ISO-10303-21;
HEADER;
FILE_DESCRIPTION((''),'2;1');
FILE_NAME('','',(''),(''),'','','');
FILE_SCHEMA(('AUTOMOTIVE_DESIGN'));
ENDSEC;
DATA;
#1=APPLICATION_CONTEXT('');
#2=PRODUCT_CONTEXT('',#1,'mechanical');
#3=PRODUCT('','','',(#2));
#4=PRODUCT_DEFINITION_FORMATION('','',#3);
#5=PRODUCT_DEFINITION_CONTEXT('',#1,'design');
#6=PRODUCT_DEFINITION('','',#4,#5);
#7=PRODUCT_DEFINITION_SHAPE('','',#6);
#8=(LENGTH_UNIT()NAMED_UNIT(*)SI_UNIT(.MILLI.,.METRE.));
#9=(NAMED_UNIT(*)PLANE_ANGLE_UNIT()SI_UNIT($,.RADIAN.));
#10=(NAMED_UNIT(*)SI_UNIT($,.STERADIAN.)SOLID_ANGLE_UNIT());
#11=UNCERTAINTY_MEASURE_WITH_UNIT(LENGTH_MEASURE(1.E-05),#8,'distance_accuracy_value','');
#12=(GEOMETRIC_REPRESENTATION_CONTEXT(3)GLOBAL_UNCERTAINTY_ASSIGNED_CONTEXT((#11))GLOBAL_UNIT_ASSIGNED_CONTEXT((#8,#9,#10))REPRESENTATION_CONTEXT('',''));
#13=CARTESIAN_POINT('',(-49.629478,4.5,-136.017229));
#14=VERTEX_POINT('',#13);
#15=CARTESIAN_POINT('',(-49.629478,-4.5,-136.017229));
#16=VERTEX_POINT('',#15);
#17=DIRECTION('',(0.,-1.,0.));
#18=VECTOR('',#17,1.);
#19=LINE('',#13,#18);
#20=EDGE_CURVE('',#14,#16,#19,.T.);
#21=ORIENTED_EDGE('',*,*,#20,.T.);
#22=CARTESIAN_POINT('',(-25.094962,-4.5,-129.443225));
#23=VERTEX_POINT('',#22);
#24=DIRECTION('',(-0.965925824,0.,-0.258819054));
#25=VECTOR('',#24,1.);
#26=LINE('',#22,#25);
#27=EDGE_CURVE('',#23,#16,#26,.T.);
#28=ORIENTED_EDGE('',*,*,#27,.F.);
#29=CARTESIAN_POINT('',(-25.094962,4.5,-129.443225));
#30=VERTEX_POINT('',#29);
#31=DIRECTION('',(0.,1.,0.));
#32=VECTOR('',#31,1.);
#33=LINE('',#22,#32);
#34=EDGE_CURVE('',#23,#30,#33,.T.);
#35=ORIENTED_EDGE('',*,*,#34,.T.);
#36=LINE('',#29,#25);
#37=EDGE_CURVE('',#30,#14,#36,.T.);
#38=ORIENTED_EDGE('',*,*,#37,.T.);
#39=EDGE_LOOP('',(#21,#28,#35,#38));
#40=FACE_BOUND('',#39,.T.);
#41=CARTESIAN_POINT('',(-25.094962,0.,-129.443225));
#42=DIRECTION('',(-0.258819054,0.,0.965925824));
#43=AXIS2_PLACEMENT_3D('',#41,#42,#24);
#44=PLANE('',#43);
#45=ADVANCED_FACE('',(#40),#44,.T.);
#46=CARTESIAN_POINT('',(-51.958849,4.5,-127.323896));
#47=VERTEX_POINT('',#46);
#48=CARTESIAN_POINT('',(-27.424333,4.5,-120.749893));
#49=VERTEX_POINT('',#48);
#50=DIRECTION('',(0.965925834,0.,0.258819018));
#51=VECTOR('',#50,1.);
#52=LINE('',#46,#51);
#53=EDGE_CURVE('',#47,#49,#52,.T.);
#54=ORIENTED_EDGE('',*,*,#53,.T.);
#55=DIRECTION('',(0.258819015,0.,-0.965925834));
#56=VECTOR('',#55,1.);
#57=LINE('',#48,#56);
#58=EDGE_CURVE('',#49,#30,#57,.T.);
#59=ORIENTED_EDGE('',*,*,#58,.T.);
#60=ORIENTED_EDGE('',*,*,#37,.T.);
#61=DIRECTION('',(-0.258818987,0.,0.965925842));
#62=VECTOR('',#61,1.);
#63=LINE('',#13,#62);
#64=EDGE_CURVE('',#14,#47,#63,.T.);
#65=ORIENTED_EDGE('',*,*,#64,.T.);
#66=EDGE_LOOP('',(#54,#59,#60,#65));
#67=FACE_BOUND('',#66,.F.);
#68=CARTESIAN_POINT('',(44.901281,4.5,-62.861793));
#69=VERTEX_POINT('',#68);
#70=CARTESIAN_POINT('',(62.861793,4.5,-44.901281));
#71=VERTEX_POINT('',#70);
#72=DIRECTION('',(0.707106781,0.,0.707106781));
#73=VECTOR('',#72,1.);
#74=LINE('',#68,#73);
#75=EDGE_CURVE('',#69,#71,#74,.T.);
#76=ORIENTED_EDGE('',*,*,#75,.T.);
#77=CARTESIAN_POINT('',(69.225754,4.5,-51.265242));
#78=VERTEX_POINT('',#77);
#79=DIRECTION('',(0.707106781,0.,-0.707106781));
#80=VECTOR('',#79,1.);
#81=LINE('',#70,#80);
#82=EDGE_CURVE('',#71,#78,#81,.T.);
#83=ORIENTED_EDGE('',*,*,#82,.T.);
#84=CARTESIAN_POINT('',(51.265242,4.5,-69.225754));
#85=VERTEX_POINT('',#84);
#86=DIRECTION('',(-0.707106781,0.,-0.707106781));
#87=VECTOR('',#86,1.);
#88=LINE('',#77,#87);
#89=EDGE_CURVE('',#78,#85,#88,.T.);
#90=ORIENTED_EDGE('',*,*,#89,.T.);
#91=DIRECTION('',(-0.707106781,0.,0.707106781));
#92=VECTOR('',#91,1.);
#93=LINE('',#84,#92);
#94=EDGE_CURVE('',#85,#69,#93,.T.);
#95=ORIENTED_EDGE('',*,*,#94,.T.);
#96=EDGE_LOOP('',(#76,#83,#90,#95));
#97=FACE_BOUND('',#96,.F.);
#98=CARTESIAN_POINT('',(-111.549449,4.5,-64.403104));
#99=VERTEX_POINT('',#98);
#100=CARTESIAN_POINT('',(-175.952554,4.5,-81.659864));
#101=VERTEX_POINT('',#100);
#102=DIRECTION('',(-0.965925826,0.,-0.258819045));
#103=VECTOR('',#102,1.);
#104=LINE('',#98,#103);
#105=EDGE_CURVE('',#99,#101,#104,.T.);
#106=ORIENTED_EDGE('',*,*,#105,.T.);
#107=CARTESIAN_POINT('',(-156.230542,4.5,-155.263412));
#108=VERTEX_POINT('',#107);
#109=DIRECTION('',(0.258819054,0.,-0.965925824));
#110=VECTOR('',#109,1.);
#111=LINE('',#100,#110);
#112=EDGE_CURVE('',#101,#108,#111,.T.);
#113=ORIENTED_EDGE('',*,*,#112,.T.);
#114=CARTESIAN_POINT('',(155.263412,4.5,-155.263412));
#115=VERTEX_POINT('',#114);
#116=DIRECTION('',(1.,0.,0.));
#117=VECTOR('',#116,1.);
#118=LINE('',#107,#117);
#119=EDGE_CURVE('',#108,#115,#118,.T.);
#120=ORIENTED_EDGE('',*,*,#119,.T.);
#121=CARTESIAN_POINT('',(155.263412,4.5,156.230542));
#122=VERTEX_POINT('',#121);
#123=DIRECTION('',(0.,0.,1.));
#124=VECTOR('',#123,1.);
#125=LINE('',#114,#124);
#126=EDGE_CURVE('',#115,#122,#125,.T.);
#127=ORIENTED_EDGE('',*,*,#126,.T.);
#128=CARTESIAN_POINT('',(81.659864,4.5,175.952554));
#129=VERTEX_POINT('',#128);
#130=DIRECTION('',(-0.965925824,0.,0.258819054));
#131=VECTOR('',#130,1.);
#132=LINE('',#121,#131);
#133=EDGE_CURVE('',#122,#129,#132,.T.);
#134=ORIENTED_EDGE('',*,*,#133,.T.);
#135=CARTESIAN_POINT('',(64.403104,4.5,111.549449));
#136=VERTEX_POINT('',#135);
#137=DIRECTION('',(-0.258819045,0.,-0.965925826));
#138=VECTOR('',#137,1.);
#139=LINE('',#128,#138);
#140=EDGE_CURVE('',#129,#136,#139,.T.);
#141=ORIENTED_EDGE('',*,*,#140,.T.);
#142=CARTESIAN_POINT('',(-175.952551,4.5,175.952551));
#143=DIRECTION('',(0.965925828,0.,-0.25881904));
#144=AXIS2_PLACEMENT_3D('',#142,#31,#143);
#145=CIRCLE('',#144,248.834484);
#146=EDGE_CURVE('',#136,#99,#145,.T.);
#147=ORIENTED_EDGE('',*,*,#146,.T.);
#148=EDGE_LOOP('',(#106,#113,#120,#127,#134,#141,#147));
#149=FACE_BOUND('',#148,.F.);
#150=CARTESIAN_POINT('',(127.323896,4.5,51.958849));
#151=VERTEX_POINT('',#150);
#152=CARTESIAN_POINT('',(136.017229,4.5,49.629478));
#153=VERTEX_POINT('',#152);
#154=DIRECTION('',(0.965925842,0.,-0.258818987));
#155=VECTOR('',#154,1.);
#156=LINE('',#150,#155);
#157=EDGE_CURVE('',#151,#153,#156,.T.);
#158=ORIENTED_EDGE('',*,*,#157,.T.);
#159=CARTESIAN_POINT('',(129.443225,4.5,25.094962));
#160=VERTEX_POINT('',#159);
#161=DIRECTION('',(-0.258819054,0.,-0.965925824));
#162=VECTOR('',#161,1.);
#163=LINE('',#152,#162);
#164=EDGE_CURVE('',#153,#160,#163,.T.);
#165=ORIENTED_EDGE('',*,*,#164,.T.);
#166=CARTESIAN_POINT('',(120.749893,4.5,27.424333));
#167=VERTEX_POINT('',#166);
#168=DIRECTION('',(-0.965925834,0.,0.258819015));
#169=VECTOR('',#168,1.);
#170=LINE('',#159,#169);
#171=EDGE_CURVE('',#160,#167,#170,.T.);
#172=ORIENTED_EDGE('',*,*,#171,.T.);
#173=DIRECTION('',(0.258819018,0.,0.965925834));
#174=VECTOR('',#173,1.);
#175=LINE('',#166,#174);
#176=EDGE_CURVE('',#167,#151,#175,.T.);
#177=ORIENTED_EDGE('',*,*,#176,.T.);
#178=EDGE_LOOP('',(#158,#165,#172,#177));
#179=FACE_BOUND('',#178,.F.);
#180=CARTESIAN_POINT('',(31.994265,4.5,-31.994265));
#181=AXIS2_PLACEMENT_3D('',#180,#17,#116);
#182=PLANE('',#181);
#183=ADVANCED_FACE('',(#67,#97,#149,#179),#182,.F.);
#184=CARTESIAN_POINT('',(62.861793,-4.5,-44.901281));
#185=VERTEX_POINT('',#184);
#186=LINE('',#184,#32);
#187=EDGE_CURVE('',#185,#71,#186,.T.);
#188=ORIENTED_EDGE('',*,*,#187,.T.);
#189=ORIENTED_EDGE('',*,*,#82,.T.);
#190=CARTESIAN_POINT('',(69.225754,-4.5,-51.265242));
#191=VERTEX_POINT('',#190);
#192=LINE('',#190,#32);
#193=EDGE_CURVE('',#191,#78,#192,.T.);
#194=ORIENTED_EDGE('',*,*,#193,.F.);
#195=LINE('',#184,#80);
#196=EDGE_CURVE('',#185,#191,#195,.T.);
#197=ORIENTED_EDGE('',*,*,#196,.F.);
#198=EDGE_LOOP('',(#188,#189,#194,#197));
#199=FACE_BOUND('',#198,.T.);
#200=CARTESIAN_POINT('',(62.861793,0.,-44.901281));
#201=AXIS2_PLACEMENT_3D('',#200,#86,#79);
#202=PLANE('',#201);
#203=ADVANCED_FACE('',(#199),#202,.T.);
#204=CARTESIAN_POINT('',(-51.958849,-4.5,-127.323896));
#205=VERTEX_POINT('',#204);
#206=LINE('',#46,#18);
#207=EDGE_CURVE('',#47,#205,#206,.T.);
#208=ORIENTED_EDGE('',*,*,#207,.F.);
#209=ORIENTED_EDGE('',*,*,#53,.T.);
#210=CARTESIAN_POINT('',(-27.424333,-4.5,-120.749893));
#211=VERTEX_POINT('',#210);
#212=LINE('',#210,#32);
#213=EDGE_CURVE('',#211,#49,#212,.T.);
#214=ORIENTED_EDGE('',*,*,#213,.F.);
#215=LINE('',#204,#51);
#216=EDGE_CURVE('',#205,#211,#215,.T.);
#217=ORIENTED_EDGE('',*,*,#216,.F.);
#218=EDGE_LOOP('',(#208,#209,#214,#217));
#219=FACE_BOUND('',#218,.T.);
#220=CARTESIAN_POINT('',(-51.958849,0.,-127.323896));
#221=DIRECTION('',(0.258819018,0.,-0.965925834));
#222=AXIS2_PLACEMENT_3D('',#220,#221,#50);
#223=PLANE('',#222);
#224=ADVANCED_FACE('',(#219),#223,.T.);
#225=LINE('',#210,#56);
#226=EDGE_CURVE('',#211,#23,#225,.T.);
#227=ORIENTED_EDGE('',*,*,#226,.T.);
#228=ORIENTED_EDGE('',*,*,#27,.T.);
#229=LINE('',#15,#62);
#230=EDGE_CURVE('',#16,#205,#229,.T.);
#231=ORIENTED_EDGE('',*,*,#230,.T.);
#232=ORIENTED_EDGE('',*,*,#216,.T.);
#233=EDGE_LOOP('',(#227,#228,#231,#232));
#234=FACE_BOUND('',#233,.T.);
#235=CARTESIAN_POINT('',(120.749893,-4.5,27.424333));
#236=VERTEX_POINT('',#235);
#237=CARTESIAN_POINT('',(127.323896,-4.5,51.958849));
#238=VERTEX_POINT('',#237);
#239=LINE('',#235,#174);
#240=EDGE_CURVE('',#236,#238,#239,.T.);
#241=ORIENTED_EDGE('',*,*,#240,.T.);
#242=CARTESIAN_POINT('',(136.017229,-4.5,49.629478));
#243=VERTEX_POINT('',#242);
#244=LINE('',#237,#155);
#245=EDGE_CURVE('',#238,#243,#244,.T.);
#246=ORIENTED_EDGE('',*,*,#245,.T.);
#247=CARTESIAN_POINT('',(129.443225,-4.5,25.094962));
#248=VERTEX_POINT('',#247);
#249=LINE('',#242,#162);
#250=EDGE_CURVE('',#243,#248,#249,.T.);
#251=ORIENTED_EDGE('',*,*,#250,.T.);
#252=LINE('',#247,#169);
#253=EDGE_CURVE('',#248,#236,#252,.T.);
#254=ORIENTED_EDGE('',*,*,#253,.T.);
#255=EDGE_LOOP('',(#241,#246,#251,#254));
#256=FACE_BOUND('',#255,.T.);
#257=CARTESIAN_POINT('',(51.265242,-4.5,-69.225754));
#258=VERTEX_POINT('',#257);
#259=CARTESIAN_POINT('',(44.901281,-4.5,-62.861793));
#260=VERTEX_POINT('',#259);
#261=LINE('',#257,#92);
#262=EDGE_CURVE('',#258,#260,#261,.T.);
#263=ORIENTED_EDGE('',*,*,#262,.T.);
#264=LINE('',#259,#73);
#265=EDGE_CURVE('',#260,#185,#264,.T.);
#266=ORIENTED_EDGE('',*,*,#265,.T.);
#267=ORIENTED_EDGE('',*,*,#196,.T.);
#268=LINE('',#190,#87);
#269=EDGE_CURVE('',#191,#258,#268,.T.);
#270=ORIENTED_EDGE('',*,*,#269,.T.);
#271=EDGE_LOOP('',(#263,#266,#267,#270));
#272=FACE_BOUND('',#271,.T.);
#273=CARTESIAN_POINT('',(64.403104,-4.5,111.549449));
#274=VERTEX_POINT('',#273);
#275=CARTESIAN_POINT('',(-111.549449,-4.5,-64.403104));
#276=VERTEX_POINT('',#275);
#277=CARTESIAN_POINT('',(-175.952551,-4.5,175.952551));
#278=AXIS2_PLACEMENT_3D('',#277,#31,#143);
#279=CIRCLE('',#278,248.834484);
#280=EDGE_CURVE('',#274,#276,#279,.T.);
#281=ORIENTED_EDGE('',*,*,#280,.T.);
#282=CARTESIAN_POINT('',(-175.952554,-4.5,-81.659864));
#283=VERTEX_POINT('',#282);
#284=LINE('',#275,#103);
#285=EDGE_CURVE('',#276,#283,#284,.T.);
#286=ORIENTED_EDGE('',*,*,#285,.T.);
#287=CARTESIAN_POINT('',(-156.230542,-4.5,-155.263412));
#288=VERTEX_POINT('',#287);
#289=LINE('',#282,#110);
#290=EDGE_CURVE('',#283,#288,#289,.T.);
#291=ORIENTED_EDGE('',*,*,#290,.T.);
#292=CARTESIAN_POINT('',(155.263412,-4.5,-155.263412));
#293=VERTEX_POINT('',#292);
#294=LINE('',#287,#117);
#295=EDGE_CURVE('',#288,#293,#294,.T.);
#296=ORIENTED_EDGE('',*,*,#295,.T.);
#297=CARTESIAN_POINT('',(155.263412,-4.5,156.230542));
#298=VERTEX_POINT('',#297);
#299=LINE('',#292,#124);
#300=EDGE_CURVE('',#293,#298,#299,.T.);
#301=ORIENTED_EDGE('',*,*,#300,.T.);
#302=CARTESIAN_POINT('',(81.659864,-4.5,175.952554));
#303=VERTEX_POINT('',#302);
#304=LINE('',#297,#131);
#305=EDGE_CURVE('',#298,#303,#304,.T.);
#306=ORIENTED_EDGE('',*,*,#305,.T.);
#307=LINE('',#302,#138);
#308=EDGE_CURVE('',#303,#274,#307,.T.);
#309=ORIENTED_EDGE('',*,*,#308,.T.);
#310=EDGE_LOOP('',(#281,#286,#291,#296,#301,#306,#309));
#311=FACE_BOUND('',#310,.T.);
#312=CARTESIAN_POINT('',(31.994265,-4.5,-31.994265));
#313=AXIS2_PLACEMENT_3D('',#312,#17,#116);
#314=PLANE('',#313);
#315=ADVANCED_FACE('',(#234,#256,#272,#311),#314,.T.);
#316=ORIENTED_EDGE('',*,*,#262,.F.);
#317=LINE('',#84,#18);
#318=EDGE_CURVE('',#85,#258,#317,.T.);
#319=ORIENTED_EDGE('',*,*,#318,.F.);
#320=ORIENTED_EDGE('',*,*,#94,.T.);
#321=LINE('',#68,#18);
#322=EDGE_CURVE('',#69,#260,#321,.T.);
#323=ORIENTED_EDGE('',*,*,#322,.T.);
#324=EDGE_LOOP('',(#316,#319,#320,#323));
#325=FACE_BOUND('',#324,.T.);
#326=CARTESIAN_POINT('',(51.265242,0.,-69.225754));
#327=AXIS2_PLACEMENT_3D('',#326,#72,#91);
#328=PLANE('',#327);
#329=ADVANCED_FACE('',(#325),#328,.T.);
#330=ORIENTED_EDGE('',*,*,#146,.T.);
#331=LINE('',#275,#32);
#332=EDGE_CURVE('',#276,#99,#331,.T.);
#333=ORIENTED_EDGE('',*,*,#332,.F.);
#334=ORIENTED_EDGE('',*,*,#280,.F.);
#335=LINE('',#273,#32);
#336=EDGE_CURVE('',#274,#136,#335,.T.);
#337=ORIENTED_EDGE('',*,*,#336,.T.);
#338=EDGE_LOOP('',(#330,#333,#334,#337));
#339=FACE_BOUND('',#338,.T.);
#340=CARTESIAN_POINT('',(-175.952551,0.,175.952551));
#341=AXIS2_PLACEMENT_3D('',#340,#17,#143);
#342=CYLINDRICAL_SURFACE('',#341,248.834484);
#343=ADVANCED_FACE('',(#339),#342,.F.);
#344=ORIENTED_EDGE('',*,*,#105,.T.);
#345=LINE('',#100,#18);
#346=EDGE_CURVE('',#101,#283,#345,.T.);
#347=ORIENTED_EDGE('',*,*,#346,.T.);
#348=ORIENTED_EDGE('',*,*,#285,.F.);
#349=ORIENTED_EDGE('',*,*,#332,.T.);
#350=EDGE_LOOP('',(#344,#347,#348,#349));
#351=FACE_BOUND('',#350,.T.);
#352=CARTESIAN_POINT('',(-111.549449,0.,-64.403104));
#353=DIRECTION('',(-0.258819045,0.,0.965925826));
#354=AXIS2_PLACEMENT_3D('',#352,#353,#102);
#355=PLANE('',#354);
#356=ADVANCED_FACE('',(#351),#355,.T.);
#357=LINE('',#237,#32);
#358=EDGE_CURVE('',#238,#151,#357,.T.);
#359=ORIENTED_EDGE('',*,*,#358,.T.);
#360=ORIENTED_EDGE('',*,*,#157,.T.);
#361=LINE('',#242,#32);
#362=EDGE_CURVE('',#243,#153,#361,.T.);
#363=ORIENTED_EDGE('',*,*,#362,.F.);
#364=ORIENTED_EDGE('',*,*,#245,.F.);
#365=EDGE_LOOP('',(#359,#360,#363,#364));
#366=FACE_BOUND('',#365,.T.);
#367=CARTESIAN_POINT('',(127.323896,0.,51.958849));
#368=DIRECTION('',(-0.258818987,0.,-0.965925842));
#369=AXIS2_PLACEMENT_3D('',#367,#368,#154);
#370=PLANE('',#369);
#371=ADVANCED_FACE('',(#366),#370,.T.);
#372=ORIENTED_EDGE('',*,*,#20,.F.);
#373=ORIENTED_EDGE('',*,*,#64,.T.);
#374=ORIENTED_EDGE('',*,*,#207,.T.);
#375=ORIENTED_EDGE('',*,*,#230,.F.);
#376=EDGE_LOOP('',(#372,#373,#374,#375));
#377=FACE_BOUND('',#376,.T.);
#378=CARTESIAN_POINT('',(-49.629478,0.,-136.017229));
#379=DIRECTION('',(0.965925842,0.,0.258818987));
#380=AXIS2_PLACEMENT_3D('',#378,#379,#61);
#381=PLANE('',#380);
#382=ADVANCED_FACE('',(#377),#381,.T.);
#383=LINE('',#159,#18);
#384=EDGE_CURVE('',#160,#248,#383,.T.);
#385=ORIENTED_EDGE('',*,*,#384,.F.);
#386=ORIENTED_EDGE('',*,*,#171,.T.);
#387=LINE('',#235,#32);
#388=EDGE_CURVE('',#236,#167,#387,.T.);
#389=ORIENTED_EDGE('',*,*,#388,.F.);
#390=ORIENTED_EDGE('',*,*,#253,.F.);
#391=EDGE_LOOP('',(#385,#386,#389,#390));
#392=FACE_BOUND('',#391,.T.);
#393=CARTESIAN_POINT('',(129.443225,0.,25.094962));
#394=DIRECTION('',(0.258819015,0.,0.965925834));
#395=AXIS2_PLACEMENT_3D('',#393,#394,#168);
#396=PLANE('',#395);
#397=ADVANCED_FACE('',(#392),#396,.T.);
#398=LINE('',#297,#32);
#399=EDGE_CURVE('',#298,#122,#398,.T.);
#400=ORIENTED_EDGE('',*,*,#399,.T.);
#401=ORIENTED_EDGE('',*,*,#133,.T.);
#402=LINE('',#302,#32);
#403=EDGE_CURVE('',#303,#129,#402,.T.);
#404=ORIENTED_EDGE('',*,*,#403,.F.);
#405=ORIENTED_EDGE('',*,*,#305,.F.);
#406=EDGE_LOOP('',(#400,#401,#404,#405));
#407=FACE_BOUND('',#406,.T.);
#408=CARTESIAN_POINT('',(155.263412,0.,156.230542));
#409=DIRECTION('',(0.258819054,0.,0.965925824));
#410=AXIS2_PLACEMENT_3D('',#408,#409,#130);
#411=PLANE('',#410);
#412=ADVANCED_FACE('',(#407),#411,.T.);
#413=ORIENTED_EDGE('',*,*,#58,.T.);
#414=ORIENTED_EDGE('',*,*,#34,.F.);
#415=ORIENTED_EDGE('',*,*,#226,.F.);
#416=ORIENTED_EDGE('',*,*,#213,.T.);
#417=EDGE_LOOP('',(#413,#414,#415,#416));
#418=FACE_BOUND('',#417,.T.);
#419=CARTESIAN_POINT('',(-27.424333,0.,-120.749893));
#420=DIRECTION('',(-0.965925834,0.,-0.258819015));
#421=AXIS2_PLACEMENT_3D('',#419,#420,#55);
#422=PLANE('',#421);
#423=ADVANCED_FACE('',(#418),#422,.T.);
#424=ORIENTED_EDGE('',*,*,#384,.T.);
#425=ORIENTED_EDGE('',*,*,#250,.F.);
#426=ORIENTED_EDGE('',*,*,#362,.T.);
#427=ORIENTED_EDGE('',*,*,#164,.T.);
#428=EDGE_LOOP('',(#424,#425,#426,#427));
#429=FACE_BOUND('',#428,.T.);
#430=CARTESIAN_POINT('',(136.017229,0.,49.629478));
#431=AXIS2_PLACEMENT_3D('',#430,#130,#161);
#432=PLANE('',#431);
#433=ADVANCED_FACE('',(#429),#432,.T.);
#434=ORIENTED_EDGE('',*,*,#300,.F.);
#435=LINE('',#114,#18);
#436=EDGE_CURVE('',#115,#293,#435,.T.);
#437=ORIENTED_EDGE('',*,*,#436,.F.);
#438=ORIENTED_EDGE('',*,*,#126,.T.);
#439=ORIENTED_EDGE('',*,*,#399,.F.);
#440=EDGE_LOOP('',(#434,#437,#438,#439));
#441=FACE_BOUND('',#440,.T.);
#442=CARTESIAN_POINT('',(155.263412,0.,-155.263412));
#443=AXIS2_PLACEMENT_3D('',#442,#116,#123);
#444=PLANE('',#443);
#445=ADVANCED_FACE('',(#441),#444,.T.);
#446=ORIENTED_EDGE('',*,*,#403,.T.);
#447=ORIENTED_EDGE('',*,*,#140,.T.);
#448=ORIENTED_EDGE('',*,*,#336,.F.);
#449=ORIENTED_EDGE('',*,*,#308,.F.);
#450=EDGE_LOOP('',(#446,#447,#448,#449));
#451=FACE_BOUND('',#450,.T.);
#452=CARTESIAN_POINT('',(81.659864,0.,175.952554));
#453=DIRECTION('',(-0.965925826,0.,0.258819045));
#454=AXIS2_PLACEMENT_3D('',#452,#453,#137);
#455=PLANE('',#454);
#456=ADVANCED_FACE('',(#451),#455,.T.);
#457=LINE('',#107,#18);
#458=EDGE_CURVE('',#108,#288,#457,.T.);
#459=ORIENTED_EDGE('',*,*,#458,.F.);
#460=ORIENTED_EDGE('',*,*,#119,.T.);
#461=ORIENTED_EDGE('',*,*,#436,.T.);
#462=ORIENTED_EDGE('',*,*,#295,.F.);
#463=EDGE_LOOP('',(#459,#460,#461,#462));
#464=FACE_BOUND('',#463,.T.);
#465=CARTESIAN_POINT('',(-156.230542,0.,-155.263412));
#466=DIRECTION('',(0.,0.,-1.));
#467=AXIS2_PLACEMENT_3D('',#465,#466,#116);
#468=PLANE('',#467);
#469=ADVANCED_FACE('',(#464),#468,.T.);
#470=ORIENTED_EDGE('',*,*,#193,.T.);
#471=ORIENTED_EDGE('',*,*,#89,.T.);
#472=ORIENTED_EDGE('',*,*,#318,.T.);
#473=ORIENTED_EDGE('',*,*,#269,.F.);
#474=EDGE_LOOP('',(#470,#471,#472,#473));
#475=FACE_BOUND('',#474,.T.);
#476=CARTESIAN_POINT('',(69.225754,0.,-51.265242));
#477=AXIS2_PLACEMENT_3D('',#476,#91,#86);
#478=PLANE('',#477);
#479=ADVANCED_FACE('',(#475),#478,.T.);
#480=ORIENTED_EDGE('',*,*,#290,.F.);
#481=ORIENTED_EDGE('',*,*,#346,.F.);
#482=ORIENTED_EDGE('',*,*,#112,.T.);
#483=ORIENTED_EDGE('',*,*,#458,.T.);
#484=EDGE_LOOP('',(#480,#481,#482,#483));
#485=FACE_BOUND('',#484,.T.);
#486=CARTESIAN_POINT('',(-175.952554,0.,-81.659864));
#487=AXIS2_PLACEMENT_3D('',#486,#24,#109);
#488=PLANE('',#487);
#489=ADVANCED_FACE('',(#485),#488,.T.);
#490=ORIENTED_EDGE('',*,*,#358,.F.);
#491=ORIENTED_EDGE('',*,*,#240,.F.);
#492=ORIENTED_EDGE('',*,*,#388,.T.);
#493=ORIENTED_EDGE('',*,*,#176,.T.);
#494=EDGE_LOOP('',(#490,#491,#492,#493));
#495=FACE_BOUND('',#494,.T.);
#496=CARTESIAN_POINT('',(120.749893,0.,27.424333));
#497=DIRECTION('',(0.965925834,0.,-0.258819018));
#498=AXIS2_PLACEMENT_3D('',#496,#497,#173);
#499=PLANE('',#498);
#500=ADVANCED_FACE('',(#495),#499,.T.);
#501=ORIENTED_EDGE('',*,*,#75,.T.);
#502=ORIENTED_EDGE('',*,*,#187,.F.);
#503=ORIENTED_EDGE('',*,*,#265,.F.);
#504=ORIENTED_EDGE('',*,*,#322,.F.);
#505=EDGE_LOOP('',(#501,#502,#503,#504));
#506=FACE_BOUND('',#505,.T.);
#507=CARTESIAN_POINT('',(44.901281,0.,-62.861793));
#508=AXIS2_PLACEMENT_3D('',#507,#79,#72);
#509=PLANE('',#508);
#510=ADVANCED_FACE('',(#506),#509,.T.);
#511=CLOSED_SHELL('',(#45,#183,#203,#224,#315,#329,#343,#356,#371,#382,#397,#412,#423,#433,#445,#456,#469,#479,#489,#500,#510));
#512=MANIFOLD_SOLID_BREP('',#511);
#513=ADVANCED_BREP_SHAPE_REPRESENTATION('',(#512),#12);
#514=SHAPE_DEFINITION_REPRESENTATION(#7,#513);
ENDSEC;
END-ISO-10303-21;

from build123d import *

# Parameters (mm, degrees)
F2_DEPTH = 4.5


with BuildPart() as f2:
    # F1 (on Front) → F2 (new body, symmetric)
    with BuildSketch(Plane.XZ):
        with BuildLine():
            Line((-111.549449, -64.403104), (-175.952554, -81.659864))
            Line((-175.952554, -81.659864), (-156.230542, -155.263412))
            Line((-156.230542, -155.263412), (155.263412, -155.263412))
            Line((155.263412, -155.263412), (155.263412, 156.230542))
            Line((155.263412, 156.230542), (81.659864, 175.952554))
            Line((81.659864, 175.952554), (64.403104, 111.549449))
            ThreePointArc((64.403104, 111.549449), (0, 0), (-111.549449, -64.403104))
        make_face()
        Polygon((-49.629478, -136.017229), (-51.958849, -127.323896), (-27.424333, -120.749893), (-25.094962, -129.443225), align=None, mode=Mode.SUBTRACT)
        Polygon((51.265242, -69.225754), (44.901281, -62.861793), (62.861793, -44.901281), (69.225754, -51.265242), align=None, mode=Mode.SUBTRACT)
        Polygon((129.443225, 25.094962), (120.749893, 27.424333), (127.323896, 51.958849), (136.017229, 49.629478), align=None, mode=Mode.SUBTRACT)
    extrude(amount=F2_DEPTH, both=True)


solid = f2.part
